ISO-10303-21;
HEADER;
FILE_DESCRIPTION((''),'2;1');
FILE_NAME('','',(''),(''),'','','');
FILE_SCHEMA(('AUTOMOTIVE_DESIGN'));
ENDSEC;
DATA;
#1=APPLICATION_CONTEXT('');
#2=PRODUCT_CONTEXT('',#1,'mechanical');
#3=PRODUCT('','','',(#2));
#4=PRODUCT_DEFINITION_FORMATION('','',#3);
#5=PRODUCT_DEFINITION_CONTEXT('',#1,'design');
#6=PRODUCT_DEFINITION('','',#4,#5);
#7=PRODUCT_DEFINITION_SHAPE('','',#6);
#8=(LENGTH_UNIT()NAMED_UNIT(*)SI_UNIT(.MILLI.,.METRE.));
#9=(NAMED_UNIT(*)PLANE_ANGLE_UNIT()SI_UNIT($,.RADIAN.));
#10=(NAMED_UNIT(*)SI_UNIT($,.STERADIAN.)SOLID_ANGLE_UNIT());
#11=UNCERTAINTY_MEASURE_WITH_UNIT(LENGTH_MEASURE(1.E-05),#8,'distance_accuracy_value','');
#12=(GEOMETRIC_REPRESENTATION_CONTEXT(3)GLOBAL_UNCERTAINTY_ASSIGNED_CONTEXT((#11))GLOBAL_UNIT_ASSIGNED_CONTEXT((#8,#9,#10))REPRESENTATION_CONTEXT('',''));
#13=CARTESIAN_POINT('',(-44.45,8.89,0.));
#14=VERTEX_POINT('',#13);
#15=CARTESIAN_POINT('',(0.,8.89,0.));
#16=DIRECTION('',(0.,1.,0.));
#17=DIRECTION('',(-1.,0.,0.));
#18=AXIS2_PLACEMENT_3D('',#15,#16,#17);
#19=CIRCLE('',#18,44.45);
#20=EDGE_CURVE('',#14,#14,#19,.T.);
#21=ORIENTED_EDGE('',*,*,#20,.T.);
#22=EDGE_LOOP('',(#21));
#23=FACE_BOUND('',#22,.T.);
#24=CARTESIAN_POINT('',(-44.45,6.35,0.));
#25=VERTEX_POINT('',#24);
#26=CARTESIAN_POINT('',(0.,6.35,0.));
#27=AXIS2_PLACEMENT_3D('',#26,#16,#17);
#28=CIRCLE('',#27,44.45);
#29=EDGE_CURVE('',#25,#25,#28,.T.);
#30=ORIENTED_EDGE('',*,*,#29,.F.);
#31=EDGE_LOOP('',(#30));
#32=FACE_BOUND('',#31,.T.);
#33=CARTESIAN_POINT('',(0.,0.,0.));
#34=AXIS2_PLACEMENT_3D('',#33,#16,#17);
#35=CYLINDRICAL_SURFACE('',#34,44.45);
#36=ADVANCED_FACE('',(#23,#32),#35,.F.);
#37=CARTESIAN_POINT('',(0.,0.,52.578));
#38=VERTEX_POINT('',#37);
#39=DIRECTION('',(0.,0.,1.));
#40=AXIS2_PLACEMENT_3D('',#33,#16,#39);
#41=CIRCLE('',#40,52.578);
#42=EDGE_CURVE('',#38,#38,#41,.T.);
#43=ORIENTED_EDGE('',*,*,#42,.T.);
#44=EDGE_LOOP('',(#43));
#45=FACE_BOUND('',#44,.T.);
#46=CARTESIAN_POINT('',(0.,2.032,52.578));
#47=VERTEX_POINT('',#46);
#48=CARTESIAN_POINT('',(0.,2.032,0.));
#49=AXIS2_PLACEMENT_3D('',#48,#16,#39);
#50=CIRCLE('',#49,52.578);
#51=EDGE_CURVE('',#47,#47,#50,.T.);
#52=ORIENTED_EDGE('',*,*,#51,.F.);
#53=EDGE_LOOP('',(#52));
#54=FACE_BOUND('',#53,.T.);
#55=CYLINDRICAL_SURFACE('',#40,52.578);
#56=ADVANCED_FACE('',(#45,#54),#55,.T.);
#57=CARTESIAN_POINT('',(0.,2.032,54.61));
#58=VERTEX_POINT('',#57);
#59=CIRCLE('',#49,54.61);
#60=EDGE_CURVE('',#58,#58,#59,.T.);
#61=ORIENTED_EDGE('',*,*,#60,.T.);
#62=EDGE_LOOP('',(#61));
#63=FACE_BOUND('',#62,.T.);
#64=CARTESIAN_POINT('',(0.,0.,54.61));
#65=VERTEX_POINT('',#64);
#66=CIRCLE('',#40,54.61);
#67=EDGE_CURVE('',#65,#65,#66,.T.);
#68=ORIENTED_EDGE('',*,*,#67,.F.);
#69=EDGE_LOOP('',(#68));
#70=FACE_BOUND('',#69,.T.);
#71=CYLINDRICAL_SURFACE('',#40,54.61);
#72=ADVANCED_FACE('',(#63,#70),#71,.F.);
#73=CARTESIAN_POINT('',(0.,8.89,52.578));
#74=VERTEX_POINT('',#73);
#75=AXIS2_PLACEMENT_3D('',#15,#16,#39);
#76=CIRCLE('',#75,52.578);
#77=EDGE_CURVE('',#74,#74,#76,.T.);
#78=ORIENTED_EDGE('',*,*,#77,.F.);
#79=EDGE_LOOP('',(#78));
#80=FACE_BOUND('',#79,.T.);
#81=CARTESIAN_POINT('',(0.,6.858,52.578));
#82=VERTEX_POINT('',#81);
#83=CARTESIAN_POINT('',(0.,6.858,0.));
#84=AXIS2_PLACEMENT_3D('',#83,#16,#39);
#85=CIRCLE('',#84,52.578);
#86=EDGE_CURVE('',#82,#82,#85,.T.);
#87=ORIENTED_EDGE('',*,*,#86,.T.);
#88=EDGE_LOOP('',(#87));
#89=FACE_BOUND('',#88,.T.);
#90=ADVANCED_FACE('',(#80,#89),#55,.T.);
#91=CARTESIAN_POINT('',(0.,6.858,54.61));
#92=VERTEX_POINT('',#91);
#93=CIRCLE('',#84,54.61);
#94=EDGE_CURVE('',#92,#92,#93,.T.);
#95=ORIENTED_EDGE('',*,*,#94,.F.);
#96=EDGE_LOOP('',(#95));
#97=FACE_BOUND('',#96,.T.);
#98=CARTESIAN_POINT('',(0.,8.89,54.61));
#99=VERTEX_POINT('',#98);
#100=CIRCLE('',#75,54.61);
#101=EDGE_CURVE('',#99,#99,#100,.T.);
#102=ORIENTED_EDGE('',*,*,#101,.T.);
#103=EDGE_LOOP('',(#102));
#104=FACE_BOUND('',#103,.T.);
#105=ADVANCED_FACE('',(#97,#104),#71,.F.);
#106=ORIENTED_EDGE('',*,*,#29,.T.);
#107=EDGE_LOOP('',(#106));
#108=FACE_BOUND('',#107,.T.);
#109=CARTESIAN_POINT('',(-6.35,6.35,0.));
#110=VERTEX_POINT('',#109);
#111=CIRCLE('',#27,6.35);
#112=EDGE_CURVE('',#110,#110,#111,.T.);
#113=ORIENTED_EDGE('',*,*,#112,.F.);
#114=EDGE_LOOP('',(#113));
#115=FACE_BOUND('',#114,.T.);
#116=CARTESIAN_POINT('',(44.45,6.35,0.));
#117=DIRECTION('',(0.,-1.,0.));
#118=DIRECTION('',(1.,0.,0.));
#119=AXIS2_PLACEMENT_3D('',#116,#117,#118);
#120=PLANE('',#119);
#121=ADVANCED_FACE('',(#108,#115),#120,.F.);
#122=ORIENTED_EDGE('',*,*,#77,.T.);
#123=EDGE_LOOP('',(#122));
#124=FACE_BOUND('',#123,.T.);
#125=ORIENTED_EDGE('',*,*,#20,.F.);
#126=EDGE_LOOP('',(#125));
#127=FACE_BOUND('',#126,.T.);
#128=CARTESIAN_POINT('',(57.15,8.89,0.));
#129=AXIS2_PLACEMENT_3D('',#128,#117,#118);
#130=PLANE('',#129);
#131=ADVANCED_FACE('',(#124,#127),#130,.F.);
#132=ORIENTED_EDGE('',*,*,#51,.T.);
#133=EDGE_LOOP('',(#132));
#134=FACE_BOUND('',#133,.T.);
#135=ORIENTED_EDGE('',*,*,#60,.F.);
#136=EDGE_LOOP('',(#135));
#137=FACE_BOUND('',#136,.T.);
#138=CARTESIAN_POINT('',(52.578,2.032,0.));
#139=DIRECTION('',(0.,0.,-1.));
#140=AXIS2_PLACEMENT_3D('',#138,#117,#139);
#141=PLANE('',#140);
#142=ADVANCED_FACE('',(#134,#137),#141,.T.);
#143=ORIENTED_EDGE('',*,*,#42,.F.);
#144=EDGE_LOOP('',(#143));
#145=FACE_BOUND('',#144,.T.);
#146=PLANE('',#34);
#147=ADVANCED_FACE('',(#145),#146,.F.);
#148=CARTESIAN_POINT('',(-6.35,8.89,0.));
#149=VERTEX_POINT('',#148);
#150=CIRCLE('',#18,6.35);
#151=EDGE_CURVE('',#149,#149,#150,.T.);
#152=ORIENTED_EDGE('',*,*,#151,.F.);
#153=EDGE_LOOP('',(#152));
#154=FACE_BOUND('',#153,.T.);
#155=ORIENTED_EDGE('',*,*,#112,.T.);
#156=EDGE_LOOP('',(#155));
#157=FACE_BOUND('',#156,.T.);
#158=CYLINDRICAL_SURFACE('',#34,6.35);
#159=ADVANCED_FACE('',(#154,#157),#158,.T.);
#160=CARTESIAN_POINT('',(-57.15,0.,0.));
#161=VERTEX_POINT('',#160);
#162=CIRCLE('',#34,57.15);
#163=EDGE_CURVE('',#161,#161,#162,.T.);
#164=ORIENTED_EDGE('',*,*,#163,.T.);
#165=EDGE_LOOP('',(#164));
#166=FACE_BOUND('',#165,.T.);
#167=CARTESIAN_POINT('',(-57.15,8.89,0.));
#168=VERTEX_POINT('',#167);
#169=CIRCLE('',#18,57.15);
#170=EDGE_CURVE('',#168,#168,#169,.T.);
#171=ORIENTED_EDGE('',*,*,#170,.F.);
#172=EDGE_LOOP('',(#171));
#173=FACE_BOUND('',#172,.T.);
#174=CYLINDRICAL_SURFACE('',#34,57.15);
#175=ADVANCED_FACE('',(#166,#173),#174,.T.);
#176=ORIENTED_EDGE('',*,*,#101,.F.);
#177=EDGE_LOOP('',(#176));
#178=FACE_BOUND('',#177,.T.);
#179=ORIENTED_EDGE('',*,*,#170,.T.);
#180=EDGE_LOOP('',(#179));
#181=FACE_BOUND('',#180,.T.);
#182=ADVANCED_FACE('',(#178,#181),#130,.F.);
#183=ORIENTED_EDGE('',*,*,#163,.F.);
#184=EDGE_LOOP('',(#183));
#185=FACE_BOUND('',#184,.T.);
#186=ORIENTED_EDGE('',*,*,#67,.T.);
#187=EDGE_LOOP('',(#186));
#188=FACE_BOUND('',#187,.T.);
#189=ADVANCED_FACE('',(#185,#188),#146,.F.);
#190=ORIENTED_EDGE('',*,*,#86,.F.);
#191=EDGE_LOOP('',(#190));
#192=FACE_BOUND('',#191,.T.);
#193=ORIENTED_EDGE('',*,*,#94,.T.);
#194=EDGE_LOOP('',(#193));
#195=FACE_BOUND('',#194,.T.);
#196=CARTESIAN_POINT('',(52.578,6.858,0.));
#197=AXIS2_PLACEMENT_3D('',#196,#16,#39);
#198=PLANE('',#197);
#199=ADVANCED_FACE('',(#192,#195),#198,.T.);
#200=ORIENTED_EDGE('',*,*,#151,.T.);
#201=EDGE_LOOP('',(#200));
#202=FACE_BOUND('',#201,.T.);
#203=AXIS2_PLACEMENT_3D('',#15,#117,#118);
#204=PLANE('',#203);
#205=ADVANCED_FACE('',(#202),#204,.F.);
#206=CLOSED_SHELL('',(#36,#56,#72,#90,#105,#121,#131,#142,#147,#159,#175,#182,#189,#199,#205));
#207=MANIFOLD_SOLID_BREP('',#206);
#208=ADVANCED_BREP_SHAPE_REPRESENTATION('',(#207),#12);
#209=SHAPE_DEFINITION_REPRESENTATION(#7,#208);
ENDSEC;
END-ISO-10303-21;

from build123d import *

# Parameters (mm, degrees)
O_RINGS_PROFILE_W = 2.032
O_RINGS_PROFILE_H = 2.032


with BuildPart() as part:
    # Main Shape Profile → Main Shape (revolve)
    with BuildSketch(Plane.XY, mode=Mode.PRIVATE) as main_shape_sk:
        Polygon((57.15, 0), (57.15, 8.89), (44.45, 8.89), (44.45, 6.35), (6.35, 6.35), (6.35, 8.89), (0, 8.89), (0, 0), align=None)
    revolve(main_shape_sk.sketch.rotate(Axis((0, 0, 0), (0, -1, 0)), 180), axis=Axis((0, 0, 0), (0, -1, 0)))

    # O Rings Profile → O-Rings Cutout (revolve, cut)
    with BuildSketch(Plane.XY, mode=Mode.PRIVATE) as o_rings_cutout_sk:
        with Locations((53.594, 7.874)):
            Rectangle(O_RINGS_PROFILE_W, O_RINGS_PROFILE_H)
        with Locations((53.594, 1.016)):
            Rectangle(O_RINGS_PROFILE_W, O_RINGS_PROFILE_H)
    revolve(o_rings_cutout_sk.sketch.rotate(Axis((0, 0, 0), (0, -1, 0)), 90), axis=Axis((0, 0, 0), (0, -1, 0)), mode=Mode.SUBTRACT)


solid = part.part
